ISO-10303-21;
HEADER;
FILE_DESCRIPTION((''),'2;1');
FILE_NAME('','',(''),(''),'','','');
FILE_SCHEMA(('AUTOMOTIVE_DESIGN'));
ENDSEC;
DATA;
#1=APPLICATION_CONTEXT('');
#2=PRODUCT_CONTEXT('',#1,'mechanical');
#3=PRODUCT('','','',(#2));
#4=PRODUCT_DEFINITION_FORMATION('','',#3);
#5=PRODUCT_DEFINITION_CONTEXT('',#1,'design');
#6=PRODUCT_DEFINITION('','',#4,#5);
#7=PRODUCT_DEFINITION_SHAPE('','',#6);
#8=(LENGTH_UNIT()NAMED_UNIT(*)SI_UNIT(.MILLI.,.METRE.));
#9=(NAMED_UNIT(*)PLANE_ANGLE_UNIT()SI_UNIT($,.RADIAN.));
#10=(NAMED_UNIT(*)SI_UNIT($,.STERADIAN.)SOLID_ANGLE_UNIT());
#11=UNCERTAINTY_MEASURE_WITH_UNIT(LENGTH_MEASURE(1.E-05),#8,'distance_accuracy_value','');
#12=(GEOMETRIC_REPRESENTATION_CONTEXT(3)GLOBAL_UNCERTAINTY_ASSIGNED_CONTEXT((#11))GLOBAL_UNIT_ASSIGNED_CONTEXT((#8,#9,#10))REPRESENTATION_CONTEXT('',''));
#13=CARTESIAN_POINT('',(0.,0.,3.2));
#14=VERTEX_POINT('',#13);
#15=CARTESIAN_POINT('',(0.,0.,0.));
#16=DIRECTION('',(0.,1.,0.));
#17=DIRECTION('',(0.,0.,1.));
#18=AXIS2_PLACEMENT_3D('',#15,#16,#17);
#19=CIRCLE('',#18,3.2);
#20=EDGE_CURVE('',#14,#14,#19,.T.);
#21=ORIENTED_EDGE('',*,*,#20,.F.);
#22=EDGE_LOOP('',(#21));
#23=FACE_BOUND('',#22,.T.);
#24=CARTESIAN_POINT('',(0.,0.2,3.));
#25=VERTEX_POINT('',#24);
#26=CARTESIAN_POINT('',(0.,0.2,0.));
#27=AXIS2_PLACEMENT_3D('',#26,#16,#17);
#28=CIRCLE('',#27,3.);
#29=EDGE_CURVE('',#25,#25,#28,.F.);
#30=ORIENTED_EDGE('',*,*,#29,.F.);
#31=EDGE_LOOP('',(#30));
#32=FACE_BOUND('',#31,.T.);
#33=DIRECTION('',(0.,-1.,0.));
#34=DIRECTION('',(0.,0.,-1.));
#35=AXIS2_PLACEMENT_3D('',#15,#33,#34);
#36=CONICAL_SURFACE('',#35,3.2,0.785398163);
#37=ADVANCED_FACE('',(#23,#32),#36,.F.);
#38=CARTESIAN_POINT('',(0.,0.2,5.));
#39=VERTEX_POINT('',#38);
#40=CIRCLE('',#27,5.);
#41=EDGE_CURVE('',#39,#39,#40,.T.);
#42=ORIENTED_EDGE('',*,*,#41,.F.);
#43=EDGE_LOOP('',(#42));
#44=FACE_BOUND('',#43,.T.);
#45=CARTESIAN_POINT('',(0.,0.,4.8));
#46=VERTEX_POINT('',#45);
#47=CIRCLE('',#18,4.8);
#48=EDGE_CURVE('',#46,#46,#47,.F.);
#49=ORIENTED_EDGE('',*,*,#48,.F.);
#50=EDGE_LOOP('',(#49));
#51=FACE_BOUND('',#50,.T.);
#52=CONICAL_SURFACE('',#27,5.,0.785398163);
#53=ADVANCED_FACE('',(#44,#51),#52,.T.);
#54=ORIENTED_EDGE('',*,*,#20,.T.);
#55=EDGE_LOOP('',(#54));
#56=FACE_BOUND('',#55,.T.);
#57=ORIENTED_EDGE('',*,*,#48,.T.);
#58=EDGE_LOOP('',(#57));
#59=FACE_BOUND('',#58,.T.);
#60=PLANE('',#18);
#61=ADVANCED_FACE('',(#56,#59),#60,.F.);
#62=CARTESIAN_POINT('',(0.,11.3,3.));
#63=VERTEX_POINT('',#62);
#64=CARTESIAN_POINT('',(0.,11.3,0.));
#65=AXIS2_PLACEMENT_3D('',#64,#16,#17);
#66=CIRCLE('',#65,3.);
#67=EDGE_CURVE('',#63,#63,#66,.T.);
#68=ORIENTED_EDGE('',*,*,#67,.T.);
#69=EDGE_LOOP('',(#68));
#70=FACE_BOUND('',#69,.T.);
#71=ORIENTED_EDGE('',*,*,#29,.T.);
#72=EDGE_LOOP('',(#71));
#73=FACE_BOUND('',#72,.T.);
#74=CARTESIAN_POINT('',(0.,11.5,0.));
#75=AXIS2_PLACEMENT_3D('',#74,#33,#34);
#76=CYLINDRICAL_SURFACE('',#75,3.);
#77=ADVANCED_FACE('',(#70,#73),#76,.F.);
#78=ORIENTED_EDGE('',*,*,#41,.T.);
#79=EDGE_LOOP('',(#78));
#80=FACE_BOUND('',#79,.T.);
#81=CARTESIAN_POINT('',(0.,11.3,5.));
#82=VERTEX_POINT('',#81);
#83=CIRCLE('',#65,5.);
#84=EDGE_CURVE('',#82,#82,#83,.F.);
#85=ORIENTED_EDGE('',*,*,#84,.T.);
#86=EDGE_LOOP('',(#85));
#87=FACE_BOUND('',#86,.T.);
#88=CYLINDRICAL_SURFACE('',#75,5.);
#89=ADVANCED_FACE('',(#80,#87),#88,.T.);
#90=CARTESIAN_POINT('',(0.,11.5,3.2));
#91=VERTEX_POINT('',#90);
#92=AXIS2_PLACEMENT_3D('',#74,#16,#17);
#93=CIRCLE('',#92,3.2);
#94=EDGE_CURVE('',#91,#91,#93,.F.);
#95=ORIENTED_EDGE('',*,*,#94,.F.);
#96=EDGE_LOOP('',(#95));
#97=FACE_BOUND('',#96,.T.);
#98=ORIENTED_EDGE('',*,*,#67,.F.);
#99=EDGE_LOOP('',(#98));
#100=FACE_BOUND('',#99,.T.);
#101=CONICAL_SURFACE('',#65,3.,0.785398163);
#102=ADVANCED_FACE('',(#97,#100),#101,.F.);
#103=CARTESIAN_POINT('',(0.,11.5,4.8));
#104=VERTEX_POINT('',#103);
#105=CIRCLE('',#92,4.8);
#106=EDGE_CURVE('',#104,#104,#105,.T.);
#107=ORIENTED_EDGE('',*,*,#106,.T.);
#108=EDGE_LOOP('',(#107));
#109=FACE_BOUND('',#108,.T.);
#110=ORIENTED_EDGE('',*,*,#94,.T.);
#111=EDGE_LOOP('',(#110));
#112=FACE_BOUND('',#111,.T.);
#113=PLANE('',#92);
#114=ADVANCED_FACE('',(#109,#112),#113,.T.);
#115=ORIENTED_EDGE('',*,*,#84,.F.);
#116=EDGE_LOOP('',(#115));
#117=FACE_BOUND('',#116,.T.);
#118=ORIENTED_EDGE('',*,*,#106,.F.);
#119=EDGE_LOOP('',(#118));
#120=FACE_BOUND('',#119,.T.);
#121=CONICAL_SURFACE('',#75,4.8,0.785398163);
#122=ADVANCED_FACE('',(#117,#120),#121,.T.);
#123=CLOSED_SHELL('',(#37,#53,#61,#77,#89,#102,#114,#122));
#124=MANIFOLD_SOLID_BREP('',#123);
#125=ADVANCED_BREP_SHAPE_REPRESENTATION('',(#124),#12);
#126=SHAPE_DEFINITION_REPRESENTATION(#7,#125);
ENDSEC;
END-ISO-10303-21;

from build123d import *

# Parameters (mm, degrees)
SKETCH1_R           = 5
SKETCH1_R_2         = 3
BOSS_EXTRUDE1_DEPTH = 11.5
CHAMFER1_SIZE       = 0.2


with BuildPart() as part:
    # Sketch1 → Boss-Extrude1 (new body)
    with BuildSketch(Plane(origin=(0, 0, 0), x_dir=(1, 0, 0), z_dir=(0, 1, 0))):
        with Locations(Location((0, 0, 0), (0, 0, 270))):
            Circle(SKETCH1_R)
        with Locations(Location((0, 0, 0), (0, 0, 270))):
            Circle(SKETCH1_R_2, mode=Mode.SUBTRACT)
    extrude(amount=BOSS_EXTRUDE1_DEPTH)

    # Chamfer1
    chamfer1_edges = [part.edges().sort_by_distance(p)[0] for p in [
        (0, 0, -5),
        (0, 11.5, -5),
        (0, 0, -3),
        (0, 11.5, -3),
    ]]
    chamfer(chamfer1_edges, length=CHAMFER1_SIZE)


solid = part.part
